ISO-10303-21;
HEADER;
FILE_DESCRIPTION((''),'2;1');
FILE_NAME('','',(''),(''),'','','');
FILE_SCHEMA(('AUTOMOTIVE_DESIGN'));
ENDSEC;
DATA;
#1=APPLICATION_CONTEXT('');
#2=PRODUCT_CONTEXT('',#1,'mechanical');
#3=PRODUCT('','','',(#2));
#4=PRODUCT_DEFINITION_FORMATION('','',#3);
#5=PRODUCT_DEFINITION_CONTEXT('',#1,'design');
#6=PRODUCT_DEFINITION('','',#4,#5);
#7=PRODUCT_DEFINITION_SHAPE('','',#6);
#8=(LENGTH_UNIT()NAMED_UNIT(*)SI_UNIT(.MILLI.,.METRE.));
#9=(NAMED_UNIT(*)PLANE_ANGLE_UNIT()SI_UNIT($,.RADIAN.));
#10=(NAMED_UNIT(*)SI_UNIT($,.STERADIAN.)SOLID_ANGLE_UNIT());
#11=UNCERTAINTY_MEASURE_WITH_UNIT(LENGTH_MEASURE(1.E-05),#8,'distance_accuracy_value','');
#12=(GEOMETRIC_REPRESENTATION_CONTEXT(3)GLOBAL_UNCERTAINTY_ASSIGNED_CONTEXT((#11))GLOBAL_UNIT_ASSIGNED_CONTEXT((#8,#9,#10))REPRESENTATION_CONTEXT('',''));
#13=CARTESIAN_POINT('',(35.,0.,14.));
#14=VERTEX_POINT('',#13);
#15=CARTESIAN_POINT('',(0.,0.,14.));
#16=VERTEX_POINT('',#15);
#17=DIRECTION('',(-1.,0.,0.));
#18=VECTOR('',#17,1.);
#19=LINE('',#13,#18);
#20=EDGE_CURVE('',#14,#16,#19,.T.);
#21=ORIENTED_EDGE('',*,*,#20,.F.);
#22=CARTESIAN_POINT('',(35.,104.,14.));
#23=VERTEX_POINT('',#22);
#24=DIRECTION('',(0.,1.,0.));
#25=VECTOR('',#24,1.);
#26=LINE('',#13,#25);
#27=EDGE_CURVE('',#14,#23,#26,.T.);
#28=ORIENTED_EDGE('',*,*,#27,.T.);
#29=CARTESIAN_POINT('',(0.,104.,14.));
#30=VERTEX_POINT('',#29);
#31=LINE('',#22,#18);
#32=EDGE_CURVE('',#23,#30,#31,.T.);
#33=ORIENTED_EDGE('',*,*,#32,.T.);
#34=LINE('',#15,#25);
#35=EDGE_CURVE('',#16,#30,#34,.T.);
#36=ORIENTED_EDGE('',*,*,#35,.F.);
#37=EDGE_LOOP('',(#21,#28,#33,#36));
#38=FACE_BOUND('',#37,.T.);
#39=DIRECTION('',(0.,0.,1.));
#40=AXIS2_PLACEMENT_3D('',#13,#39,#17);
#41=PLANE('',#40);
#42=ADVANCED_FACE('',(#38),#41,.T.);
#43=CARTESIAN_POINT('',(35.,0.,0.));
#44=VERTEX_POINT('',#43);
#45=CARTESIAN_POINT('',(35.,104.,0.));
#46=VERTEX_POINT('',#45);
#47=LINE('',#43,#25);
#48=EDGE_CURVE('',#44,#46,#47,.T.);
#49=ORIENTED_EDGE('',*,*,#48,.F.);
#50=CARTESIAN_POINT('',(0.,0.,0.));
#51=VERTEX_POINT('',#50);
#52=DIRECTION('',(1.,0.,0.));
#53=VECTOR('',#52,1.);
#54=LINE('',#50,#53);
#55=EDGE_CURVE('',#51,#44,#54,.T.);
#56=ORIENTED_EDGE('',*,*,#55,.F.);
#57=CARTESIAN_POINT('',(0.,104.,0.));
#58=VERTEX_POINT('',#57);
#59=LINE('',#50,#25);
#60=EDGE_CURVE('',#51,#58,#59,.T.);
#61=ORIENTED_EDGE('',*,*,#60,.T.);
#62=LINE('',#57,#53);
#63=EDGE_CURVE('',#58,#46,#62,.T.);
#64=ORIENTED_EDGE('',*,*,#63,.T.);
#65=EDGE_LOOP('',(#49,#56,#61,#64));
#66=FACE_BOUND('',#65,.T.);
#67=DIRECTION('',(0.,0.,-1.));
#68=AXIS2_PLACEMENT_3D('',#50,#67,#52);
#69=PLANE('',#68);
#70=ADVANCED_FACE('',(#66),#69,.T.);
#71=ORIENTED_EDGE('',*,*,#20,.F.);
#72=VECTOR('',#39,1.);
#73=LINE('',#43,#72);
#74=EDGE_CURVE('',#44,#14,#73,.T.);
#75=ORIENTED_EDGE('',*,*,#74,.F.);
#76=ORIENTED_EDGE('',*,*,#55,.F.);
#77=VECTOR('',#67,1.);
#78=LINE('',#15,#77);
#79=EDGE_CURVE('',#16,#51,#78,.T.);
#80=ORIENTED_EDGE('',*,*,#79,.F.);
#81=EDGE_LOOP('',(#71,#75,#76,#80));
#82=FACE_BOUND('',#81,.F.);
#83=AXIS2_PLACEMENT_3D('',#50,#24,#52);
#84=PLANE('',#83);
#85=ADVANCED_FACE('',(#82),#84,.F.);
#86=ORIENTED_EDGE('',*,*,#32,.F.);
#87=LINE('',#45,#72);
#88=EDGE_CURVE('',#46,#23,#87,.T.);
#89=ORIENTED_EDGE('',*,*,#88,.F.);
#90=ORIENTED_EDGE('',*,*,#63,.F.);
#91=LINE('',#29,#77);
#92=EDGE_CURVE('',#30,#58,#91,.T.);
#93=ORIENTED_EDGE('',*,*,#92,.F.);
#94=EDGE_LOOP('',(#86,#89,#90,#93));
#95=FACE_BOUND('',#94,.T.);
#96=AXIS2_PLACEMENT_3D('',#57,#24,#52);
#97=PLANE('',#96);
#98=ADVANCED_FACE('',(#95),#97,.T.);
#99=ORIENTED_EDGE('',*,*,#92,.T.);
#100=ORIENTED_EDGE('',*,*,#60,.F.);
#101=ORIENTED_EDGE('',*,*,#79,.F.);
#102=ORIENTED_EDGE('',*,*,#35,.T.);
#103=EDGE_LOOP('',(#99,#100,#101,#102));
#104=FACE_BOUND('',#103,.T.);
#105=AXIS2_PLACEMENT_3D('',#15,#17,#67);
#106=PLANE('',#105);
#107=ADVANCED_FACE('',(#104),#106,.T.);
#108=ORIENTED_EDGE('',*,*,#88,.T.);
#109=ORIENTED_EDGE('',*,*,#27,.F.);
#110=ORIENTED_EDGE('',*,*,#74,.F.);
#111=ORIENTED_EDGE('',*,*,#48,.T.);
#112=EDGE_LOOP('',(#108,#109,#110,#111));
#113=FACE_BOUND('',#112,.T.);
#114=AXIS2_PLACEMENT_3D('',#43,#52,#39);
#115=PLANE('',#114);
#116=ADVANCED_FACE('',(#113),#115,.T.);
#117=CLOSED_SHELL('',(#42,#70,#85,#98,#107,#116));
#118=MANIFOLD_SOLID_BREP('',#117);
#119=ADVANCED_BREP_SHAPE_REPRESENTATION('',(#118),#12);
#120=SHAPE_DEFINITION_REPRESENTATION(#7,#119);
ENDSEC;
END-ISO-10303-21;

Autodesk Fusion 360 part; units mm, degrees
sketch "Sketch1" plane through (0, 0, 0) normal (0, 1, 0) x (1, 0, 0)
  line L0 (0, 0) -> (35, 0)
  line L1 (35, 0) -> (35, -14)
  line L2 (0, -14) -> (0, 0)
  line L3 (0, 0) -> (35, 0)
  line L4 (35, 0) -> (35, -14)
  line L5 (35, -14) -> (0, -14)
  line L6 (0, -14) -> (0, 0)
  dimension "d6" = 35
  dimension "d8" = 14
extrude "Extrude1" add sketch "Sketch1" along normal blind 104
